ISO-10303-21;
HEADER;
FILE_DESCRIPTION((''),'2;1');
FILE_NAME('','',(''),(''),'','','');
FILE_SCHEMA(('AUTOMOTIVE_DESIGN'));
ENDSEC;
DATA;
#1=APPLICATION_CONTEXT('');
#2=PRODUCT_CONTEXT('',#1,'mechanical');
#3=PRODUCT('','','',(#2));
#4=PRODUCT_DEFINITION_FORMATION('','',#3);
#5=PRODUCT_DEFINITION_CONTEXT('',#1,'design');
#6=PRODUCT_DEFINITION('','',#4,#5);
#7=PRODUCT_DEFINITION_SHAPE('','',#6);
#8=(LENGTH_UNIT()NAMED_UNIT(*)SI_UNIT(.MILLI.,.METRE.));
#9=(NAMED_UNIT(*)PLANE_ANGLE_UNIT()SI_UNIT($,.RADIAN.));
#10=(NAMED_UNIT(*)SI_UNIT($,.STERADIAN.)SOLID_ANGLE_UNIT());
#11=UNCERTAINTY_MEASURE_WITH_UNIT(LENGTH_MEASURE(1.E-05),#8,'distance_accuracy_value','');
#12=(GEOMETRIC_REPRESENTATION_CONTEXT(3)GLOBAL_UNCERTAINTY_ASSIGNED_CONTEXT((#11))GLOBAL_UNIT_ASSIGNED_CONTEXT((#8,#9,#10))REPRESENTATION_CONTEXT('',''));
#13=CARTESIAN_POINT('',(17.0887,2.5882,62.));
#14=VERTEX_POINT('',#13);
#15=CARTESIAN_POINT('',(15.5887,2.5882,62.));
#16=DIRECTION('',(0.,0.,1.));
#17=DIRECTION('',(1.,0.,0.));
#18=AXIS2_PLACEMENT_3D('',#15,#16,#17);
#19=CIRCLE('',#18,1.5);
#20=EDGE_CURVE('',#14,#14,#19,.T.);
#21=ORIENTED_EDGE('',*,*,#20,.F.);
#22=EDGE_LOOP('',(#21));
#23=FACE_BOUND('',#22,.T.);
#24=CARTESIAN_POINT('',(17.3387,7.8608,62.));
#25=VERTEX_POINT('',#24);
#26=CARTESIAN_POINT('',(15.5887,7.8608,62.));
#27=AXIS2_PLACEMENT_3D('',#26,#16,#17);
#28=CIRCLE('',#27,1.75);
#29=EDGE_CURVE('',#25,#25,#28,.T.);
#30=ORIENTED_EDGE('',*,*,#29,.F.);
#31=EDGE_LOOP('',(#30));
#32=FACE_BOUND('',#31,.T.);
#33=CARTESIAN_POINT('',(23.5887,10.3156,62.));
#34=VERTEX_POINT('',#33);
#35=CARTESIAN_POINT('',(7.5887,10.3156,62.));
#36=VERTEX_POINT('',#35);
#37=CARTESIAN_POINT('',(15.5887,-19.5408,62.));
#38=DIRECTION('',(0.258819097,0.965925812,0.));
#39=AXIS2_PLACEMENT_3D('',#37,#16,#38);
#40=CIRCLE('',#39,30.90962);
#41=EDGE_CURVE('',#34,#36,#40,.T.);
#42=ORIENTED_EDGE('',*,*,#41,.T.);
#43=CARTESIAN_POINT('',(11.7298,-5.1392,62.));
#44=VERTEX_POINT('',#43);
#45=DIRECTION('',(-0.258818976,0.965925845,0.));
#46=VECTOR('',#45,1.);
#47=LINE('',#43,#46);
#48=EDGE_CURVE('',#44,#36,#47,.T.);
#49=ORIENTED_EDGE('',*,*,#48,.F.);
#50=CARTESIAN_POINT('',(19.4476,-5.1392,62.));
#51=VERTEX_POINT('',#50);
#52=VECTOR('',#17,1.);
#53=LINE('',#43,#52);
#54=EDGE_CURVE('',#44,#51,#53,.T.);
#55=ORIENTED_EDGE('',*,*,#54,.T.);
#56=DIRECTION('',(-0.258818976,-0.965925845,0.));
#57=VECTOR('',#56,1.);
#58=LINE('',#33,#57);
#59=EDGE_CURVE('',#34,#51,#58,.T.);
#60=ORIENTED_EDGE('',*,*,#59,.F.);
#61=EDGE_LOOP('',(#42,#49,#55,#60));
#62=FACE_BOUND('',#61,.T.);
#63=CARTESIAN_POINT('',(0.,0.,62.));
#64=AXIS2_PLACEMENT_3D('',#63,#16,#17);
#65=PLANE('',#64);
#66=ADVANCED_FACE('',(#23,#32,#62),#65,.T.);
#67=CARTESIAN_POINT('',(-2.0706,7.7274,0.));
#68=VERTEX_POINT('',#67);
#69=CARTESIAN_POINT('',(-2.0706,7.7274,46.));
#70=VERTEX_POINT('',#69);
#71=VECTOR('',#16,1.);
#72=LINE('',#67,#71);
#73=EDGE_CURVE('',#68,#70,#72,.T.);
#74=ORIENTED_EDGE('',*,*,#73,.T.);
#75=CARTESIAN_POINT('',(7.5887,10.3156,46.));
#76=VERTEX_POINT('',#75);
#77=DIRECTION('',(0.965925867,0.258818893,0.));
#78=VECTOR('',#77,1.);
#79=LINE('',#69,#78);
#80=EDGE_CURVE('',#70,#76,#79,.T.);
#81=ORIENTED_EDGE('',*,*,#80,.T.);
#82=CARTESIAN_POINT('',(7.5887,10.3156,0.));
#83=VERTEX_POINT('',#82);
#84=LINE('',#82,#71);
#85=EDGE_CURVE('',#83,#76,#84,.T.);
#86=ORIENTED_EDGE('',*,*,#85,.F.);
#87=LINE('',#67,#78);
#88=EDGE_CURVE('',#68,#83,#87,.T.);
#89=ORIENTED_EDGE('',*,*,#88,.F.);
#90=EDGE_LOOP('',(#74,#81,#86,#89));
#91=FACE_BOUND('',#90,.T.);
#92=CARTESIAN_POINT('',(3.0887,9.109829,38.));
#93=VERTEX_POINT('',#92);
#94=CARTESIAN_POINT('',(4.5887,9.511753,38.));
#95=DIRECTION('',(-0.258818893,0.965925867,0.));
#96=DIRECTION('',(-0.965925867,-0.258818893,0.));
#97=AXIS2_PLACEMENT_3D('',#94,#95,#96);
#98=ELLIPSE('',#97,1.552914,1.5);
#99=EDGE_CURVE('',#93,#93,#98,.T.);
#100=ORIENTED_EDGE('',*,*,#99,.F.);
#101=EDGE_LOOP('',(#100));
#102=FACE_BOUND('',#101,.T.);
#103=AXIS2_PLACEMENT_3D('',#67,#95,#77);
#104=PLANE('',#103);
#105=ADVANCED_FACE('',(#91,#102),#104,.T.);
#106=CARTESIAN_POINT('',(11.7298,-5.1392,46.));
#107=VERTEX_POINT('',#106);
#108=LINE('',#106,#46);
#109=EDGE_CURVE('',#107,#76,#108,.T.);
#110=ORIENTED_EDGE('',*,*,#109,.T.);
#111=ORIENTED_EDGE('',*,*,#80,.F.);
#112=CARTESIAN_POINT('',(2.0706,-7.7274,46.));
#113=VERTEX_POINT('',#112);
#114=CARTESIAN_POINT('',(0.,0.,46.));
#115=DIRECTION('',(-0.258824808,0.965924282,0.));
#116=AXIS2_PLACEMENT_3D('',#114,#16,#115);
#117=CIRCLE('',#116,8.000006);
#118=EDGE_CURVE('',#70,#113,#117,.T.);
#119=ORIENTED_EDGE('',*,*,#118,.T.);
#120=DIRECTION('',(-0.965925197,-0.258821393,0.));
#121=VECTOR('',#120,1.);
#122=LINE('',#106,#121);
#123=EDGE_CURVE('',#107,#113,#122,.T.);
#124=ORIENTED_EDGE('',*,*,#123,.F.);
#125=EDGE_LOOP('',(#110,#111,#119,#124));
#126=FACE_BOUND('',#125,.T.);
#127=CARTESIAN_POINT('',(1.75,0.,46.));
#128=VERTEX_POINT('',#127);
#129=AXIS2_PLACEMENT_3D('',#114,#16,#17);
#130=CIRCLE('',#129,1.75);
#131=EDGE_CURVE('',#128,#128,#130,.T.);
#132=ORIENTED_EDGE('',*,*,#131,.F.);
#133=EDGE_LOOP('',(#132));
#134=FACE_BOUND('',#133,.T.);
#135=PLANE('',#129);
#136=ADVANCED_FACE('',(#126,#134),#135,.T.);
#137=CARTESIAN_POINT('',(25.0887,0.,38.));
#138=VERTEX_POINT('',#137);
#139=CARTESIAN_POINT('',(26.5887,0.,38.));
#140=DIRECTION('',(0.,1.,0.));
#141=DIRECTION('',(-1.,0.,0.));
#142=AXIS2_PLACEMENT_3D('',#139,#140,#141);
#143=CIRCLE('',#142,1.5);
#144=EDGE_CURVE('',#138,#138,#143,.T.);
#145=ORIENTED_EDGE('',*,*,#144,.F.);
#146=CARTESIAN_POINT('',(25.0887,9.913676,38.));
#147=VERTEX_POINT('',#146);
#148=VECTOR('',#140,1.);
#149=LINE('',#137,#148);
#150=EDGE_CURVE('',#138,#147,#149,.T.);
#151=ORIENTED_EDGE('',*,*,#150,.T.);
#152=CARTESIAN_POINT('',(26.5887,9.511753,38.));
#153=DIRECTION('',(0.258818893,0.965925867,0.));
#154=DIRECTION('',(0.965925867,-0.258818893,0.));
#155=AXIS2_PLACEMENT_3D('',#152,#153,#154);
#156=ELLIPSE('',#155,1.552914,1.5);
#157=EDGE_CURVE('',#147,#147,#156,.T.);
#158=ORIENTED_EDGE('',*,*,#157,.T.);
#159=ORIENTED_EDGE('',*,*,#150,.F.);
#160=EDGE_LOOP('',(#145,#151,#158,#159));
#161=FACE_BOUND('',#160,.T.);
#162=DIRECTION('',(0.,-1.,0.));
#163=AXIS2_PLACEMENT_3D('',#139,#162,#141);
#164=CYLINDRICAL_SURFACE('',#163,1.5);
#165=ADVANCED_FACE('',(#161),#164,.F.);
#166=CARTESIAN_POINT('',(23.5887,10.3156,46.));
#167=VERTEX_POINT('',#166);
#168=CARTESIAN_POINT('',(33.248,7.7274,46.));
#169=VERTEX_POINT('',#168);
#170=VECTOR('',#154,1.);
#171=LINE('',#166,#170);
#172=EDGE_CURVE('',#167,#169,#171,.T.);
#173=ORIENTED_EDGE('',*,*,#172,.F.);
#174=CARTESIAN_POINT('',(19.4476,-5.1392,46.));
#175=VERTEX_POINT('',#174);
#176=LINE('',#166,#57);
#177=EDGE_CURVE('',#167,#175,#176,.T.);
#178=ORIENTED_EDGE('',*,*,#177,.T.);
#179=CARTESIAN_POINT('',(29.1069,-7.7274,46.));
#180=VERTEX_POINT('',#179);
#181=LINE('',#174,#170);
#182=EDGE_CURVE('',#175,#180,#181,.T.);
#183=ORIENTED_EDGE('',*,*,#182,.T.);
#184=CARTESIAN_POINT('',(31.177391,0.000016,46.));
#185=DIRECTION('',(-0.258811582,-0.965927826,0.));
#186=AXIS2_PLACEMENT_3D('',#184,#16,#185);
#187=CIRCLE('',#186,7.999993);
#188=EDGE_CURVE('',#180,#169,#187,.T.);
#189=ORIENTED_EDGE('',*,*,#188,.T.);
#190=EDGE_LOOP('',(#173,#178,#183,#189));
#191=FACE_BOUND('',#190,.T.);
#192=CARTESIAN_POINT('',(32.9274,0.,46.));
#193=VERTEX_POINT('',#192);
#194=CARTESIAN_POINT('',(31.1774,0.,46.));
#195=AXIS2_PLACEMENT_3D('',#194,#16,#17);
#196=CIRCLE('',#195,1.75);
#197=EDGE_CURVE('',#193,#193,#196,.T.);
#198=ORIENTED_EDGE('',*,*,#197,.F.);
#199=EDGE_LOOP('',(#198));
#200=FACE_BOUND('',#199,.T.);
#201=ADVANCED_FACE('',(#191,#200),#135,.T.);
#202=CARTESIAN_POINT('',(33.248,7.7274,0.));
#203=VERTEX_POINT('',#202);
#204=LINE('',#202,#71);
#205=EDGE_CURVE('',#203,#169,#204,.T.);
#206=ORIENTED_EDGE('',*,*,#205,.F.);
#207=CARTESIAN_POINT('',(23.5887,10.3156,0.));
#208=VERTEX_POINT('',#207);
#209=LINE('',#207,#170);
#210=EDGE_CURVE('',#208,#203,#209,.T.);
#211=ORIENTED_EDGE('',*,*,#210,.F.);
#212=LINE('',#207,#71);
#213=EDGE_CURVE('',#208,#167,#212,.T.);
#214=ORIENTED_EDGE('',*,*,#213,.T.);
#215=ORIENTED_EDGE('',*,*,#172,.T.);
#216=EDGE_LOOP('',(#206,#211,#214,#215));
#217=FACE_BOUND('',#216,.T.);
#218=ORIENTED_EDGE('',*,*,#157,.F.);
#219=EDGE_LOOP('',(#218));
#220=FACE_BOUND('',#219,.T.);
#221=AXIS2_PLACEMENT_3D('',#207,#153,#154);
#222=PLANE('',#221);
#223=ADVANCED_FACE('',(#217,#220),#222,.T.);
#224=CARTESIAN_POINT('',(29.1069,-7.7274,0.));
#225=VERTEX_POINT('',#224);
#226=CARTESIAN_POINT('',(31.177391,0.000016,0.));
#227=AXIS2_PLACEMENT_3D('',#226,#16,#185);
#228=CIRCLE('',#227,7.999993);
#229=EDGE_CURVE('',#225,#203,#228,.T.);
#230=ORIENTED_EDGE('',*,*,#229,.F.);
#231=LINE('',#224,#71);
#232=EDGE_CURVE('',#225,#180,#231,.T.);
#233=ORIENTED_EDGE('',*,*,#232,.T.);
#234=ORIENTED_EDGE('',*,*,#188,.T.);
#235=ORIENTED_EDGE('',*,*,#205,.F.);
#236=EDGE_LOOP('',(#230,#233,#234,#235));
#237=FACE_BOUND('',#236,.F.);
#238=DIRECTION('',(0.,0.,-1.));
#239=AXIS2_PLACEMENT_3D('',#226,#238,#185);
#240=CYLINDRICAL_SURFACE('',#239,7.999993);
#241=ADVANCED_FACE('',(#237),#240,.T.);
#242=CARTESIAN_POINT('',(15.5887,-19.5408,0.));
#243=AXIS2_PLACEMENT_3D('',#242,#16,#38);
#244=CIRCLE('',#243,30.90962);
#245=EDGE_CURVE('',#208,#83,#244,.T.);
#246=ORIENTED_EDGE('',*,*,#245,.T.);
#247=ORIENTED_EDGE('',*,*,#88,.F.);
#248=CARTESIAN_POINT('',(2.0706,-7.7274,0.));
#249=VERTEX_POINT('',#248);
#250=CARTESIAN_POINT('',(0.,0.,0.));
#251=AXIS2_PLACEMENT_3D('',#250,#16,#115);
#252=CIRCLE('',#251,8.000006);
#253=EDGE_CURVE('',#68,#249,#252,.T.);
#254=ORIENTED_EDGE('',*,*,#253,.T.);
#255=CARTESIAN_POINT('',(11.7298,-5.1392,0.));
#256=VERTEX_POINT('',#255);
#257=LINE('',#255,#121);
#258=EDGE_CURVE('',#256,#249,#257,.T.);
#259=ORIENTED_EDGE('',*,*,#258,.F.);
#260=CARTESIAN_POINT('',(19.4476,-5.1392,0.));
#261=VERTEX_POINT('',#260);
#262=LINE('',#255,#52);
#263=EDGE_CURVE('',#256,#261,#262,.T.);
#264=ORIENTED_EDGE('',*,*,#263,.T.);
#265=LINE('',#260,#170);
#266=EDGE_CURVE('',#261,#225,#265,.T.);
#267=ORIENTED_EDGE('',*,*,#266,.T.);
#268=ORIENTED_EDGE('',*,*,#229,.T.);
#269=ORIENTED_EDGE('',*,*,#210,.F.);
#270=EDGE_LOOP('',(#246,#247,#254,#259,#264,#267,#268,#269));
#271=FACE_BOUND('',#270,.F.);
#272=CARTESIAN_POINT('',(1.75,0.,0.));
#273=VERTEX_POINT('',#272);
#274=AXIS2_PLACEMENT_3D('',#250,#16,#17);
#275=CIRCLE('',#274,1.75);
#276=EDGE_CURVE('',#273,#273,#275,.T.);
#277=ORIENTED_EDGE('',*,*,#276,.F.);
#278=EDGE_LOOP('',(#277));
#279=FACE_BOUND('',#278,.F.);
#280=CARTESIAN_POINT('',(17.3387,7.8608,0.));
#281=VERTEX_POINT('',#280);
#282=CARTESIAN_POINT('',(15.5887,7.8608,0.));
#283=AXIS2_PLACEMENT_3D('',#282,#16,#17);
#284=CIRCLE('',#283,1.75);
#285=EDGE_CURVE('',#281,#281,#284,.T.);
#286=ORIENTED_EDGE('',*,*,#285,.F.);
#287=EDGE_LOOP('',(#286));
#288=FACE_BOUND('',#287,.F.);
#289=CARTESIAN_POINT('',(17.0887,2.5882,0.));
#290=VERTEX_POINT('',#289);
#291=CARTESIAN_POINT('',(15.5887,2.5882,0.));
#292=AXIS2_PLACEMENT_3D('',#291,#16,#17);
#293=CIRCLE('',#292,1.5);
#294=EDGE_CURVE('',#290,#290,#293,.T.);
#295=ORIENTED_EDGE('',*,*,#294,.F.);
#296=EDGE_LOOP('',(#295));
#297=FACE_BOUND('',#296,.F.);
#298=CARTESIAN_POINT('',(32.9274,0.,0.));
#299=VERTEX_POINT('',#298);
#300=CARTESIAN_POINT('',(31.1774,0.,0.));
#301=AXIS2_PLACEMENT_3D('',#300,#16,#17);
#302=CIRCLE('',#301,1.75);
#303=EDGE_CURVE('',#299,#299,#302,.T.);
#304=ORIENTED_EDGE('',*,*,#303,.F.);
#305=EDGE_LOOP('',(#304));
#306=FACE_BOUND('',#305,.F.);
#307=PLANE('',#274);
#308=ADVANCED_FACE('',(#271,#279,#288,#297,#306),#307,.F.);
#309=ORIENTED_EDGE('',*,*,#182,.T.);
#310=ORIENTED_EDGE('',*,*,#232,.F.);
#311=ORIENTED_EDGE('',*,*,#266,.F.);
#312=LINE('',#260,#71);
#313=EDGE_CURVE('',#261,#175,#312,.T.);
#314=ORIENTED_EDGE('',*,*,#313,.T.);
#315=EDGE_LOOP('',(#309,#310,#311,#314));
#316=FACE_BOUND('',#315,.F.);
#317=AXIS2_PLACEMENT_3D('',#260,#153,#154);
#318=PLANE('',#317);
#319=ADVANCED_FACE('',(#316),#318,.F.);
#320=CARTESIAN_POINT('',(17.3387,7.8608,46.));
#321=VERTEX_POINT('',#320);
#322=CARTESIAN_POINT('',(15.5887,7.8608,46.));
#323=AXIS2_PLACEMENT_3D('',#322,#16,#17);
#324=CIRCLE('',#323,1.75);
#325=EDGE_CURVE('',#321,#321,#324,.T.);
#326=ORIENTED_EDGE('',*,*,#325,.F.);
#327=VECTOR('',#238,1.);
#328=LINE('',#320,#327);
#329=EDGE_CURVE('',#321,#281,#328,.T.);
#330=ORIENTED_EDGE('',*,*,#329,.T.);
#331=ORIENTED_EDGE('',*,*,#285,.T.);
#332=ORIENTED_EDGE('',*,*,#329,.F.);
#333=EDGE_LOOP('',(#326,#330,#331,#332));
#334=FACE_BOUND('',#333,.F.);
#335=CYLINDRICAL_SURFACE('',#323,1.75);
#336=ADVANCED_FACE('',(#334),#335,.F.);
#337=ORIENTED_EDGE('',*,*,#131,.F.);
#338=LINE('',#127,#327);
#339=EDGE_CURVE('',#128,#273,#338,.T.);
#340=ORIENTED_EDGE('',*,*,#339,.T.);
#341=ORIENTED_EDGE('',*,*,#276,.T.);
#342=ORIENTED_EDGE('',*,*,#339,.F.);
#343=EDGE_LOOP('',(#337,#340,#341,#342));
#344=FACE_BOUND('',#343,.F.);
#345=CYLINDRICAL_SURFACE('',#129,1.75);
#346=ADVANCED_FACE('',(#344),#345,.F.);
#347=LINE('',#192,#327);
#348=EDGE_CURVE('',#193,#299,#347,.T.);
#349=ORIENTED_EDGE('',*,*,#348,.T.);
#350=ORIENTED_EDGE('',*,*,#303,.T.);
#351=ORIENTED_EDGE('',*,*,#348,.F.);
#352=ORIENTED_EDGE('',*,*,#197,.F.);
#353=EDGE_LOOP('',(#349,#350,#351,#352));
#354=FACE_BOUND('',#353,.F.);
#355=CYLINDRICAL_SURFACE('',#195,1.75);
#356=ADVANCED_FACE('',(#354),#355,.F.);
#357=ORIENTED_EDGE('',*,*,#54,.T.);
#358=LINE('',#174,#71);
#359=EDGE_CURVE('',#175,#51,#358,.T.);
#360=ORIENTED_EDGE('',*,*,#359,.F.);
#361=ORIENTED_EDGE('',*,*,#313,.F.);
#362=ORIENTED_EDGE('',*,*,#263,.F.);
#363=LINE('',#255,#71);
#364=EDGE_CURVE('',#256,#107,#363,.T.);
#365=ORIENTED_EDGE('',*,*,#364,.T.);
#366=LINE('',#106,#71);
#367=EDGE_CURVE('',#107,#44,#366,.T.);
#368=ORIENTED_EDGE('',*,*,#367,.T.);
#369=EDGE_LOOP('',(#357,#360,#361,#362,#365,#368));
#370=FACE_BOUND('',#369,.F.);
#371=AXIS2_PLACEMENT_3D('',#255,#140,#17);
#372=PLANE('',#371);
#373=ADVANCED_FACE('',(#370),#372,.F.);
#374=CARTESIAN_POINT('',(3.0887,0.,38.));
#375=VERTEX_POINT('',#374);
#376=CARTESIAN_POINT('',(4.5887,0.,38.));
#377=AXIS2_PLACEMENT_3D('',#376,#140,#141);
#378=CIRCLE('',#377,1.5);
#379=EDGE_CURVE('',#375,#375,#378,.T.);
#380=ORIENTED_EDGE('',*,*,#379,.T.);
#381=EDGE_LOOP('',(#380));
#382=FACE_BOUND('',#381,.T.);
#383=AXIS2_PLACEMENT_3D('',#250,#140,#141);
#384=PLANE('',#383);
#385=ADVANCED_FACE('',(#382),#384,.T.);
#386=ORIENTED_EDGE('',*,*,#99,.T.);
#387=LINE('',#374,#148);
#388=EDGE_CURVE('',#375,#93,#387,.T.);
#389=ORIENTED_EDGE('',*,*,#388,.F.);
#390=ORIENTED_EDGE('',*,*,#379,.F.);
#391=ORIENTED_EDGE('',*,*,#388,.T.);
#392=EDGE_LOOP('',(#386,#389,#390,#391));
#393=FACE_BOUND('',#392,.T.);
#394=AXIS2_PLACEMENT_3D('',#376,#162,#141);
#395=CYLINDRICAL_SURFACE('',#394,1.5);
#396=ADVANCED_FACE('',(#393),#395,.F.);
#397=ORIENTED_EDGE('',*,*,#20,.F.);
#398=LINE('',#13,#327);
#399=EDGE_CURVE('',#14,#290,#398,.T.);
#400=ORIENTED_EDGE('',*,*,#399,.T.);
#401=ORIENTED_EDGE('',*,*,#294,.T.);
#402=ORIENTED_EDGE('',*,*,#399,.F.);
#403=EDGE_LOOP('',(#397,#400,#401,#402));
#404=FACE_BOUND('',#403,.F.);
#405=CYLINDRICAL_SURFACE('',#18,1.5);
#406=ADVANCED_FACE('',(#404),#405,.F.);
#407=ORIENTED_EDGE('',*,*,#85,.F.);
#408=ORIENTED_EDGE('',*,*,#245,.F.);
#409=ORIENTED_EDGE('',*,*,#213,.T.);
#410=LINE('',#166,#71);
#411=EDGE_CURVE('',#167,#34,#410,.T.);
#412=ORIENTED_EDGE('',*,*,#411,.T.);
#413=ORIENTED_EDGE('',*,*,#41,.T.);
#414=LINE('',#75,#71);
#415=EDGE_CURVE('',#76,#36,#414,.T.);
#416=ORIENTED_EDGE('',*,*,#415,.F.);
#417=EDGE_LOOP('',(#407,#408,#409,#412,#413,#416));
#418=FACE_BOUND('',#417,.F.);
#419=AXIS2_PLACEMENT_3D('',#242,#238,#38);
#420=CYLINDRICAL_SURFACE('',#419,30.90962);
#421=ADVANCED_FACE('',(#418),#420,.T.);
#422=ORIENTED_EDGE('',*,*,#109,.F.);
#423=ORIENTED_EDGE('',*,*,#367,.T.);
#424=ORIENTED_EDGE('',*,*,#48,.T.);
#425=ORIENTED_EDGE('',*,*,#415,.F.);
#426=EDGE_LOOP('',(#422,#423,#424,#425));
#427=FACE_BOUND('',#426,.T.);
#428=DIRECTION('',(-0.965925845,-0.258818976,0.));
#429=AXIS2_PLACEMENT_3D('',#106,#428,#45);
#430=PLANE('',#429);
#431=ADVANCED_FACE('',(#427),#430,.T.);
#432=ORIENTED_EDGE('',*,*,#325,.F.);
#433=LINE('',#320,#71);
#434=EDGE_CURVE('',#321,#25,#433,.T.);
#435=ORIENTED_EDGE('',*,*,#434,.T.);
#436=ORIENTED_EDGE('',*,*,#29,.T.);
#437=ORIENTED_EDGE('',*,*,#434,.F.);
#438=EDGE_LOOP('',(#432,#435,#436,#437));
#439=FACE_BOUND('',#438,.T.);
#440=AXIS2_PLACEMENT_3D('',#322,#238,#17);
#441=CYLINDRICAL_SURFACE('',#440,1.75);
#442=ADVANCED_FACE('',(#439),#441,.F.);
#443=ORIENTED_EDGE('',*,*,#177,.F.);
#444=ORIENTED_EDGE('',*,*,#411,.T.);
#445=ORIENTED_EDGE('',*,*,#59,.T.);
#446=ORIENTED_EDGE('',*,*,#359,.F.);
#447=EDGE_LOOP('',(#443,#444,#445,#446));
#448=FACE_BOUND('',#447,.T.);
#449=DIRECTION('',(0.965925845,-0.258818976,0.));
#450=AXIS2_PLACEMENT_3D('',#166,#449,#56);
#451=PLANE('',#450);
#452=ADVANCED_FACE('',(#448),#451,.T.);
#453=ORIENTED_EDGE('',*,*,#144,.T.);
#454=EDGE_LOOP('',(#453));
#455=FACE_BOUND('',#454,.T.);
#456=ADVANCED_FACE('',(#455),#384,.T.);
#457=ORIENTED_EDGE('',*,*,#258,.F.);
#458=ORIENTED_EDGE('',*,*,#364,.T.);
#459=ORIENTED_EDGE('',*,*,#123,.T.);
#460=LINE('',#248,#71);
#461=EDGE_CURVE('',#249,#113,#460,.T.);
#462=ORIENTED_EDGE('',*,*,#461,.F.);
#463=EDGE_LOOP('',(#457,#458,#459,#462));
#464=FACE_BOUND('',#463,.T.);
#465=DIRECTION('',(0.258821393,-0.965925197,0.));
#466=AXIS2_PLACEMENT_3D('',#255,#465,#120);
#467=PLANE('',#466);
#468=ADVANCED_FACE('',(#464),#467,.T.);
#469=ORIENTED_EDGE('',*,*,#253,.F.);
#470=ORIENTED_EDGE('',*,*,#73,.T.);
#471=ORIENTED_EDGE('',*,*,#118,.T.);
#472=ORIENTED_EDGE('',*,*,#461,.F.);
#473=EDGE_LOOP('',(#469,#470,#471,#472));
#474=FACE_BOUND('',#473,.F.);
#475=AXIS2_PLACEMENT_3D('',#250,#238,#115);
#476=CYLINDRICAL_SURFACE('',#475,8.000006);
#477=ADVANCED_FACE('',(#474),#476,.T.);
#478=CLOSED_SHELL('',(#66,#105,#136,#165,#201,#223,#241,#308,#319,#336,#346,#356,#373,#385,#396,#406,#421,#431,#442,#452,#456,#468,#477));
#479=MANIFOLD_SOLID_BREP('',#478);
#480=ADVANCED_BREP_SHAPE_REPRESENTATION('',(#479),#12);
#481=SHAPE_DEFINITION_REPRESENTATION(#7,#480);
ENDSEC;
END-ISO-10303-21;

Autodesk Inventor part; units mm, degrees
ref_plane "YZ Plane" through (0, 0, 0) normal (1, 0, 0) x (0, 1, 0)
ref_plane "XZ Plane" through (0, 0, 0) normal (0, 1, 0) x (-1, 0, 0)
ref_plane "XY Plane" through (0, 0, 0) normal (0, 0, 1) x (1, 0, 0)
sketch "Sketch1" plane through (0, 0, 0) normal (0, 0, 1) x (1, 0, 0)
  circle A0 centre (31.1774, 0) radius 8 construction
  circle A1 centre (0, 0) radius 8 construction
  line L0 (7.5887, 10.3156) -> (11.7298, -5.1392) construction
  line L1 (11.7298, -5.1392) -> (2.0706, -7.7274)
  line L2 (-2.0706, 7.7274) -> (7.5887, 10.3156)
  line L3 (19.4476, -5.1392) -> (23.5887, 10.3156) construction
  line L4 (23.5887, 10.3156) -> (33.248, 7.7274)
  line L5 (19.4476, -5.1392) -> (29.1069, -7.7274)
  line L6 (7.5887, 10.3156) -> (23.5887, 10.3156) construction
  line L7 (11.7298, -5.1392) -> (19.4476, -5.1392)
  arc A2 (-2.0706, 7.7274) -> (2.0706, -7.7274) centre (0, 0) ccw
  arc A3 (29.1069, -7.7274) -> (33.248, 7.7274) centre (31.1774, 0) ccw
  arc A4 (23.5887, 10.3156) -> (7.5887, 10.3156) centre (15.5887, -19.5408) ccw
  point P0 (15.5887, 10.3156)
  dimension "d0" = 16
  dimension "d1" = 16
  dimension "d2" = 16
  dimension "d3" = 10
  dimension "d4" = 10
  dimension "d5" = 16
  dimension "d6" = 16
  dimension "d7" = 75
extrude "Extrusion1" add sketch "Sketch1" along normal blind 46
sketch "Sketch2" plane through (0, 0, 46) normal (0, 0, 1) x (1, 0, 0)
  arc A0 (-2.0706, 7.7274) -> (2.0706, -7.7274) centre (0, 0) ccw projected
  arc A1 (29.1069, -7.7274) -> (33.248, 7.7274) centre (31.1774, 0) ccw projected
  line L0 (11.7298, -5.1392) -> (19.4476, -5.1392) projected
  circle A2 centre (0, 0) radius 1.75
  circle A3 centre (31.1774, 0) radius 1.75
  circle A4 centre (15.5887, 7.8608) radius 1.75
  point P0 (0, 0)
  point P1 (15.5887, -5.1392)
  dimension "d11" = 3.5
  dimension "d12" = 3.5
  dimension "d13" = 3.5
  dimension "d14" = 13
extrude "Extrusion2" cut sketch "Sketch2" against normal through all
sketch "Sketch3" plane through (0, 0, 46) normal (0, 0, 1) x (1, 0, 0)
  arc A0 (23.5887, 10.3156) -> (7.5887, 10.3156) centre (15.5887, -19.5408) ccw projected
  line L0 (7.5887, 10.3156) -> (23.5887, 10.3156)
  line L1 (19.4476, -5.1392) -> (29.1069, -7.7274) projected
  line L2 (23.5887, 10.3156) -> (19.4476, -5.1392)
  line L3 (11.7298, -5.1392) -> (19.4476, -5.1392) projected
  line L4 (19.4476, -5.1392) -> (11.7298, -5.1392)
  line L5 (11.7298, -5.1392) -> (7.5887, 10.3156)
  circle A1 centre (15.5887, 7.8608) radius 1.75 projected
  point P0 (0, 0)
extrude "Extrusion3" add sketch "Sketch3" along normal blind 16
sketch "Sketch4" plane through (0, 0, 62) normal (0, 0, 1) x (1, 0, 0)
  arc A0 (23.5887, 10.3156) -> (7.5887, 10.3156) centre (15.5887, -19.5408) ccw construction
  line L0 (7.5887, 10.3156) -> (23.5887, 10.3156) construction
  line L1 (23.5887, 10.3156) -> (15.5887, 10.3156) construction
  line L2 (11.7298, -5.1392) -> (19.4476, -5.1392) construction
  line L3 (15.5887, -5.1392) -> (15.5887, 10.3156) construction
  circle A1 centre (15.5887, 2.5882) radius 1.5
  point P0 (0, 0)
  dimension "d19" = 3
extrude "Extrusion4" cut sketch "Sketch4" against normal through all
sketch "Sketch7" plane through (0, 0, 0) normal (0, 1, 0) x (-1, 0, 0)
  circle A0 centre (-26.5887, 38) radius 1.5
  circle A1 centre (-4.5887, 38) radius 1.5
  line L0 (-7.5887, 62) -> (-23.5887, 62) construction
  line L1 (-26.5887, 38) -> (-4.5887, 38) construction
  point P0 (0, 0)
  point P1 (-15.5887, 62)
  point P2 (-15.5887, 38)
  dimension "d28" = 3
  dimension "d29" = 3
  dimension "d30" = 22
  dimension "d31" = 24
extrude "Extrusion7" cut sketch "Sketch7" along normal through all
properties material "ABS Plastic"
